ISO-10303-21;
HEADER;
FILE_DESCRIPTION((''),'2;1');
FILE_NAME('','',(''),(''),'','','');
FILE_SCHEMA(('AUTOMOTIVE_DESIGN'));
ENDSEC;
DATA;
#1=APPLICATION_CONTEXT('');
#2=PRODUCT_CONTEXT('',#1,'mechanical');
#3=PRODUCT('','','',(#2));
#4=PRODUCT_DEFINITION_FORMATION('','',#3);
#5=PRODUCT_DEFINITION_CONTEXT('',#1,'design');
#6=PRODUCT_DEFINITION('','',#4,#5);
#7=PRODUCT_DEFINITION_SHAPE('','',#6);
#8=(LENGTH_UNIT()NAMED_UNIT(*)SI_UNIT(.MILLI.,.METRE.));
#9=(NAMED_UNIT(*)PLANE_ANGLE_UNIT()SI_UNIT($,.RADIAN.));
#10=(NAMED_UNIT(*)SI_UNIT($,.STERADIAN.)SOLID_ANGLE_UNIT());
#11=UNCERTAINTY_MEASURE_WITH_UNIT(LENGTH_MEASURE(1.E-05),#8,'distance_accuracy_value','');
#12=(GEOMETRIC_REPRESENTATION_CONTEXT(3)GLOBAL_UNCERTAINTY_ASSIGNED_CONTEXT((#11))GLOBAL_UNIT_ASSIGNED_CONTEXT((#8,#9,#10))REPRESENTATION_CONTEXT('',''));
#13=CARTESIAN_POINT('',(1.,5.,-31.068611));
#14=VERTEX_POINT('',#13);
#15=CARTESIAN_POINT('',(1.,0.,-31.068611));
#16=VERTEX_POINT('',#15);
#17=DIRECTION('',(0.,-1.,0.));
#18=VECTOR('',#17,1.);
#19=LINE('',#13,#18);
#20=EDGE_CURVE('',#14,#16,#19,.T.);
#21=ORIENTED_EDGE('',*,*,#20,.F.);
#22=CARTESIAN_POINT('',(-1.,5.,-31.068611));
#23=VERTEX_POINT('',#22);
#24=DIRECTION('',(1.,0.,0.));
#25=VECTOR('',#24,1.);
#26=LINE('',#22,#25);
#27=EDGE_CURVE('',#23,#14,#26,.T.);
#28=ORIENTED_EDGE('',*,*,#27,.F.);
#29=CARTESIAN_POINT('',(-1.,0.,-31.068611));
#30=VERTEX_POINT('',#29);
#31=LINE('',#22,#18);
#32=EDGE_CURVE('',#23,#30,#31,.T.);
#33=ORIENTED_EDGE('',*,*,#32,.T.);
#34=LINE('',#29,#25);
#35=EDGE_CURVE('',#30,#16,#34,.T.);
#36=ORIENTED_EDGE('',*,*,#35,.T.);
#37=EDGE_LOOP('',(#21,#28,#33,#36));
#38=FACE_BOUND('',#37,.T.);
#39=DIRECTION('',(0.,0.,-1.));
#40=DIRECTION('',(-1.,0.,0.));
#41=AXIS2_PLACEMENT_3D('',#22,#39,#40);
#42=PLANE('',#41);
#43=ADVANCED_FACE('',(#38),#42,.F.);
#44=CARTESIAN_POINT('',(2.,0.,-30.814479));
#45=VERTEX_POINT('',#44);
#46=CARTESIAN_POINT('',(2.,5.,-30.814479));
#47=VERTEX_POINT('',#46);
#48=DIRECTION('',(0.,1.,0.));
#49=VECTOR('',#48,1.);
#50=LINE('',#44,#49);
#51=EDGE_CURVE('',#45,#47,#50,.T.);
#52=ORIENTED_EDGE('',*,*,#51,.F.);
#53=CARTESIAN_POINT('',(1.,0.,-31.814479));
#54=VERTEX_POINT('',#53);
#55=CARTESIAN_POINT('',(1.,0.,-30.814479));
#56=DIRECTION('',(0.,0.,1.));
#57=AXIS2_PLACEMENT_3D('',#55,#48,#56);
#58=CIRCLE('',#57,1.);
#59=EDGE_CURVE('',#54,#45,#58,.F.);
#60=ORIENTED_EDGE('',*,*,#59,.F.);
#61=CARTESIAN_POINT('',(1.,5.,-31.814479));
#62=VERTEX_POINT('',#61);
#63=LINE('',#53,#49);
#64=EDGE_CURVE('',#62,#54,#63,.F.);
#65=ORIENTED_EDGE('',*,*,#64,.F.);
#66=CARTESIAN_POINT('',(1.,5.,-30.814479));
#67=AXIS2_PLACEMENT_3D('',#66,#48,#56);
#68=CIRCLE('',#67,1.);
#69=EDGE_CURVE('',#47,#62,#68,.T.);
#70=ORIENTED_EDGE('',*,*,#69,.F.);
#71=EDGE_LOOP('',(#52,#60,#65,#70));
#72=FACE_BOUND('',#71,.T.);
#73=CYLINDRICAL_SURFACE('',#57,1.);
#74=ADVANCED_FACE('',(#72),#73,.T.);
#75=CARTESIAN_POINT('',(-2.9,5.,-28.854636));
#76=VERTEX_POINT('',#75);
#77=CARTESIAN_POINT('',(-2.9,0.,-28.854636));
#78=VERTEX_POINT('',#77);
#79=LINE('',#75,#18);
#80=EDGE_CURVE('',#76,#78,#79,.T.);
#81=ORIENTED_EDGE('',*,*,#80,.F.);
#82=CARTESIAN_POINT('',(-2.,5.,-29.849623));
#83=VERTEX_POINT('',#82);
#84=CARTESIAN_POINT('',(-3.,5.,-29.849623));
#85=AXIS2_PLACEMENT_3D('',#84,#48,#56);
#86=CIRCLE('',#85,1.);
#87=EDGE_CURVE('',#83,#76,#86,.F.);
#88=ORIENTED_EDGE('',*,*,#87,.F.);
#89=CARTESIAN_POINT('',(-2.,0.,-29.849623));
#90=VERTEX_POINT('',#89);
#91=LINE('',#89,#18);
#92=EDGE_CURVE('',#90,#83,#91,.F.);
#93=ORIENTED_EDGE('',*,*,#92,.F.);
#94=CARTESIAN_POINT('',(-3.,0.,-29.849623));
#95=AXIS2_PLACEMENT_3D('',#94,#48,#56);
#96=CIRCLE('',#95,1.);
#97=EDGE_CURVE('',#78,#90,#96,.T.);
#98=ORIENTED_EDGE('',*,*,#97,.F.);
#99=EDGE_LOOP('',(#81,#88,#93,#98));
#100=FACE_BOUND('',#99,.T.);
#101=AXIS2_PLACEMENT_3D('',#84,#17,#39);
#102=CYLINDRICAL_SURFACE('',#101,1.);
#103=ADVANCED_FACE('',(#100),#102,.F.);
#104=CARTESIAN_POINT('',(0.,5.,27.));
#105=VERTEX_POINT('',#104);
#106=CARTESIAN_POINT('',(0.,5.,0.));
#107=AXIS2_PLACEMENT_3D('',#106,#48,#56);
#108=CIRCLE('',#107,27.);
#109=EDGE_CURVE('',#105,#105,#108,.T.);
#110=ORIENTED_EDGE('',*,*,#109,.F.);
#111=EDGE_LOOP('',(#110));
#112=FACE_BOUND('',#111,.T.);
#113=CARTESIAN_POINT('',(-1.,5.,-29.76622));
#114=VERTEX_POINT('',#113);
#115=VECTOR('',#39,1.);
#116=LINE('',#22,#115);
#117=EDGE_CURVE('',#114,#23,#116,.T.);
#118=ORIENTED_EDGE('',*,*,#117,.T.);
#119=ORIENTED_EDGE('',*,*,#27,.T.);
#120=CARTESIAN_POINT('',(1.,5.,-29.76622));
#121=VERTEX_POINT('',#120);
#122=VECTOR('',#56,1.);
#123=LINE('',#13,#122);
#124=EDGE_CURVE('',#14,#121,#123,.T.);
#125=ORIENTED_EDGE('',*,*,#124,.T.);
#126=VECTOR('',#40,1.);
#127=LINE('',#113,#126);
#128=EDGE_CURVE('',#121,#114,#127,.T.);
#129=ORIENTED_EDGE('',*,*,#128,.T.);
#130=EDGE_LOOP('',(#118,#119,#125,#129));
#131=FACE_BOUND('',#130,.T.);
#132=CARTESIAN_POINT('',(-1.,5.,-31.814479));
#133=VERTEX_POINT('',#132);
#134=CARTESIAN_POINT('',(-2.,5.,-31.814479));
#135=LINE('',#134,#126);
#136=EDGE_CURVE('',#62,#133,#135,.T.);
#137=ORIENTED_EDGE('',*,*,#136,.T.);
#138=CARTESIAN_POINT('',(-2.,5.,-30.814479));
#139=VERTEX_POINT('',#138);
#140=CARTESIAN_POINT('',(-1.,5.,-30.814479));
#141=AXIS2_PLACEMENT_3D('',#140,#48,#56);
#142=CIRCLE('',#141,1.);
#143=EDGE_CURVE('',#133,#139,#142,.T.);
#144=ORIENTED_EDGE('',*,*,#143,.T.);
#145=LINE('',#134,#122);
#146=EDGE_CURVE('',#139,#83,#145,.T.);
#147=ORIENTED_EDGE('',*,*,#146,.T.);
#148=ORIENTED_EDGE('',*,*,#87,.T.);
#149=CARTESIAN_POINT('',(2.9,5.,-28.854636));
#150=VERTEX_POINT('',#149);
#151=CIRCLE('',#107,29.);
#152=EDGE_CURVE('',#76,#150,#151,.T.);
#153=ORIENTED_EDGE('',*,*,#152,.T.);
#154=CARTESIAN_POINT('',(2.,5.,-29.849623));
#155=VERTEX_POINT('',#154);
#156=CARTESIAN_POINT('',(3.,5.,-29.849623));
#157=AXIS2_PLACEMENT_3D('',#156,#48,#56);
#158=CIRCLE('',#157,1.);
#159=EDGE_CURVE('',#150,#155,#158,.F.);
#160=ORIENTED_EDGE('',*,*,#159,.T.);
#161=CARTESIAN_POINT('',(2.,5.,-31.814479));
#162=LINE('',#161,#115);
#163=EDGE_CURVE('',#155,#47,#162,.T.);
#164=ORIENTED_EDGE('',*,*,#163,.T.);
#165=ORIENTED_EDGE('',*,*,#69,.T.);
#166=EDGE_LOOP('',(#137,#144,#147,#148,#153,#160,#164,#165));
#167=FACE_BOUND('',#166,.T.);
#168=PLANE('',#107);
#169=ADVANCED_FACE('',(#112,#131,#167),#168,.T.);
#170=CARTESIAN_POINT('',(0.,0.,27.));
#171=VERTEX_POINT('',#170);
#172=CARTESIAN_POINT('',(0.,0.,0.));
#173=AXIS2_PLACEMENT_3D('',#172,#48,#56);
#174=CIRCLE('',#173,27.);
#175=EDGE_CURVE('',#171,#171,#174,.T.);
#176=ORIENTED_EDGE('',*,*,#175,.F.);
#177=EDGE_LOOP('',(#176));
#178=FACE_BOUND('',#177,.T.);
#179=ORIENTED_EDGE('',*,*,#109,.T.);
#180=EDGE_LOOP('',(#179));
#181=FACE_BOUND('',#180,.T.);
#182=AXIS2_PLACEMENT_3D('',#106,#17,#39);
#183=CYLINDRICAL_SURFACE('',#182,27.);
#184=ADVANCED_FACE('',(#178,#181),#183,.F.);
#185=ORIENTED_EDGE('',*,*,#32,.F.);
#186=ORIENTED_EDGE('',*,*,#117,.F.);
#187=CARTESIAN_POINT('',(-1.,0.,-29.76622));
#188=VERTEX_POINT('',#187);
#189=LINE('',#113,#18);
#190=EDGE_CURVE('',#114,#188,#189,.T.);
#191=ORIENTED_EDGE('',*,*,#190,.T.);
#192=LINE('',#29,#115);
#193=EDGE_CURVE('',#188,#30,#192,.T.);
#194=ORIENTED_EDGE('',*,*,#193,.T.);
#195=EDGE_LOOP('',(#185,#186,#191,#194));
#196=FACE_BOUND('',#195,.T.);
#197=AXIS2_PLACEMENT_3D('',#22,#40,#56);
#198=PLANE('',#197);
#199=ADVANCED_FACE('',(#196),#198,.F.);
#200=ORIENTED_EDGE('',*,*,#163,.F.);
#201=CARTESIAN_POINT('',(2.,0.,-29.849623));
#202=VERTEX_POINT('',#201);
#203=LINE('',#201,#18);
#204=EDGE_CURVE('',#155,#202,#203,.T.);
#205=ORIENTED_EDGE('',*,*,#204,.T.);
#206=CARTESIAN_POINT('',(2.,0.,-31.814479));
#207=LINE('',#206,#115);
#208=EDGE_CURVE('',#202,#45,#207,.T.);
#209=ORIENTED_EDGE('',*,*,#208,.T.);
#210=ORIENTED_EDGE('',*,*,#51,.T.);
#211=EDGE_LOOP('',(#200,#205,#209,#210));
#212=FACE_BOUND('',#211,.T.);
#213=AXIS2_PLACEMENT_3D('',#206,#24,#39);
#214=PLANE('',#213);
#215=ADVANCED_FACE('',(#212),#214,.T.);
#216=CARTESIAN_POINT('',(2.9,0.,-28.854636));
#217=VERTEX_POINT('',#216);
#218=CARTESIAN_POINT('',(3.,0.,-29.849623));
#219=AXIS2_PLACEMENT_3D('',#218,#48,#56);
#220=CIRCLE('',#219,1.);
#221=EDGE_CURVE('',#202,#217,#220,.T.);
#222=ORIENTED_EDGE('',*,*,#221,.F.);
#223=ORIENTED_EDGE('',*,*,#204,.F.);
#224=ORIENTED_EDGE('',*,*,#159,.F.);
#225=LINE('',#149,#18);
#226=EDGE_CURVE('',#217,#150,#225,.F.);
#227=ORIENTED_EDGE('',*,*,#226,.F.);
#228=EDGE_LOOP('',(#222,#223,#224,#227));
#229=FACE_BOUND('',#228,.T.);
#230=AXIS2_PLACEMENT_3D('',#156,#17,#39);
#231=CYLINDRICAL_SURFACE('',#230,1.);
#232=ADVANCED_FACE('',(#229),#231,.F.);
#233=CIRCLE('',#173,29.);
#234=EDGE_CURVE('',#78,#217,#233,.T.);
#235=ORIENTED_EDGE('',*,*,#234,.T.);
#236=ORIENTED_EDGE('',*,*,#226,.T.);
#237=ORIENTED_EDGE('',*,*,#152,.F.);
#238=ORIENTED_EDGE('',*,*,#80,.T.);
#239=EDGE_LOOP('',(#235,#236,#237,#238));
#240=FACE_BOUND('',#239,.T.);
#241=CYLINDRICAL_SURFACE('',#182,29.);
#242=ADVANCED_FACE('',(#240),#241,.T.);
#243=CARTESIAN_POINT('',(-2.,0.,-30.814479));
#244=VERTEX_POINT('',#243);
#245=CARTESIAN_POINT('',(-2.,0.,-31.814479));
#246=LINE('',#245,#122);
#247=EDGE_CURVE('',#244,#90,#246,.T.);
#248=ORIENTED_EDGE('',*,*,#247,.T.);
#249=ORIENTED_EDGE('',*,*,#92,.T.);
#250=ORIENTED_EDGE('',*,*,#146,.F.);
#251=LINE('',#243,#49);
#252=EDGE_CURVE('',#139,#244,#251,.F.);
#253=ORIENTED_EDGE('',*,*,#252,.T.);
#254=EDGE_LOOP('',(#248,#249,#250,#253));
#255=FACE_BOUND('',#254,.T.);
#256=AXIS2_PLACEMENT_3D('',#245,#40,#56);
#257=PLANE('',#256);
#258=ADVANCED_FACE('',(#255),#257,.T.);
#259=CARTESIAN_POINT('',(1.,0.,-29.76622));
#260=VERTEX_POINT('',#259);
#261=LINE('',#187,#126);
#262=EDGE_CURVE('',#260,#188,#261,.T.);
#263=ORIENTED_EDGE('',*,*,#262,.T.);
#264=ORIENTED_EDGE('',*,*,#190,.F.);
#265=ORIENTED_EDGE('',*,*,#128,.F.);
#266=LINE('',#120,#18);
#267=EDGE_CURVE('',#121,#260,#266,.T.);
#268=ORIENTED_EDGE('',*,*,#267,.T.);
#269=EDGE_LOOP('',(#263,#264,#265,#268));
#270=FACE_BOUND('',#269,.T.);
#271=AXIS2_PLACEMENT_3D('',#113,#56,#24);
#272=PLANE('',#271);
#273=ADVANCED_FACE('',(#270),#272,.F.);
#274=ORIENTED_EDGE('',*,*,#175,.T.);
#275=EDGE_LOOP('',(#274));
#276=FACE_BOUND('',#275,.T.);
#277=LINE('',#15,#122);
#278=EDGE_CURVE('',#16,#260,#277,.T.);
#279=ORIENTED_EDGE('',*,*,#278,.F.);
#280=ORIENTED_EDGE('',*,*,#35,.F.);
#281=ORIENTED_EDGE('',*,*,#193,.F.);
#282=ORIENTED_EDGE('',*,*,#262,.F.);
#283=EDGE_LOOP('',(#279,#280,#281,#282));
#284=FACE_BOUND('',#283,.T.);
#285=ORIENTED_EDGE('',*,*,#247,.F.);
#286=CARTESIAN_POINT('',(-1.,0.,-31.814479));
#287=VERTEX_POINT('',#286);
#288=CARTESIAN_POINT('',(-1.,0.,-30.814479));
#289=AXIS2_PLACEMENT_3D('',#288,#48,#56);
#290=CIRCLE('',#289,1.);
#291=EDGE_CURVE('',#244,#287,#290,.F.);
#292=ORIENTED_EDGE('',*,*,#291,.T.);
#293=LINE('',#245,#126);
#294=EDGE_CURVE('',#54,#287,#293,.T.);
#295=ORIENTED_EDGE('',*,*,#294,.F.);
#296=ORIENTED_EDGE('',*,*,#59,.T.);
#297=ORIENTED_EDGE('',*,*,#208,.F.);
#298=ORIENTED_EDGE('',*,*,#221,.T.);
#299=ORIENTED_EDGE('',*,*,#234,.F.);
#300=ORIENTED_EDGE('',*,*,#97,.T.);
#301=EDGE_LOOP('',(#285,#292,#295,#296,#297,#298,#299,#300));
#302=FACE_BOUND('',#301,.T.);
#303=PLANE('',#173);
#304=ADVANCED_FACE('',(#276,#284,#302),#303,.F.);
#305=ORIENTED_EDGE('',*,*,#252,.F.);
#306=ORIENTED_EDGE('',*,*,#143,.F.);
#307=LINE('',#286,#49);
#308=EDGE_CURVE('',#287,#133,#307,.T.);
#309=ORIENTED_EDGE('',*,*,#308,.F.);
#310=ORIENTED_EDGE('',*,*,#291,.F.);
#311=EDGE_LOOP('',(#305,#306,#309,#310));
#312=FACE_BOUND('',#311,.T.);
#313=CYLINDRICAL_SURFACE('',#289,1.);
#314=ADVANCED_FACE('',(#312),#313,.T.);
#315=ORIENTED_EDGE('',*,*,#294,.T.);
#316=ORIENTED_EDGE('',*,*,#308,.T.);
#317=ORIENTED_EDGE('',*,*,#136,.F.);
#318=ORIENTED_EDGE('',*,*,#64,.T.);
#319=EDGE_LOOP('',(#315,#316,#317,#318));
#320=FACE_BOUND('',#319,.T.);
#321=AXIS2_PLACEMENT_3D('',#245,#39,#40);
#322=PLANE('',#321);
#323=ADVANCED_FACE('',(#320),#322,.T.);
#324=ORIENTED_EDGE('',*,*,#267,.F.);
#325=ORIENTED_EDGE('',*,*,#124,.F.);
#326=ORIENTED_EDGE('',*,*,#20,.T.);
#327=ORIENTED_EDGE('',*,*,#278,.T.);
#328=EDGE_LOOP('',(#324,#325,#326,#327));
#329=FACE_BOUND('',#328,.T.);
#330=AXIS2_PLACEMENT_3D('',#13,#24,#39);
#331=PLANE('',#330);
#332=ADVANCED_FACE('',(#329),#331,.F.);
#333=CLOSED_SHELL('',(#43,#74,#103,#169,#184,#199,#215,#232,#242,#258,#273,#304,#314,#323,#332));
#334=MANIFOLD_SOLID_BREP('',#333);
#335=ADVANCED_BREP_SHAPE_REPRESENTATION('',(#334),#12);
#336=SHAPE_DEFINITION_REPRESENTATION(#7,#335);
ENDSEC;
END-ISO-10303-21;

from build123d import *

# Parameters (mm, degrees)
ESBO_O1_R                = 29
ESBO_O1_R_2              = 27
RESSALTO_EXTRUS_O1_DEPTH = 5
ESBO_O2_W                = 4
ESBO_O2_H                = 4
RESSALTO_EXTRUS_O2_DEPTH = 5
FILETE1_R                = 1
ESBO_O3_W                = 2
ESBO_O3_H                = 1.302391812
CORTE_EXTRUS_O1_DEPTH    = 44.337755413


with BuildPart() as part:
    # Esboço1 → Ressalto-extrusão1 (new body)
    with BuildSketch(Plane(origin=(0, 0, 0), x_dir=(1, 0, 0), z_dir=(0, 1, 0))):
        with Locations(Location((0, 0, 0), (0, 0, 270))):
            Circle(ESBO_O1_R)
        with Locations(Location((0, 0, 0), (0, 0, 270))):
            Circle(ESBO_O1_R_2, mode=Mode.SUBTRACT)
    extrude(amount=RESSALTO_EXTRUS_O1_DEPTH)

    # Esboço2 → Ressalto-extrusão2 (add, through all)
    with BuildSketch(Plane(origin=(0, 5, 0), x_dir=(1, 0, 0), z_dir=(0, 1, 0))):
        with Locations((0, 29.814478531)):
            Rectangle(ESBO_O2_W, ESBO_O2_H)
    extrude(amount=-RESSALTO_EXTRUS_O2_DEPTH)

    # Filete1
    filete1_edges = [part.edges().sort_by_distance(p)[0] for p in [
        (-2, 2.5, -28.930952283),
        (2, 2.5, -28.930952283),
        (2, 2.5, -31.814478531),
        (-2, 2.5, -31.814478531),
    ]]
    fillet(filete1_edges, radius=FILETE1_R)

    # Esboço3 → Corte-extrusão1 (cut, through all)
    with BuildSketch(Plane.XZ):
        with Locations((0, -30.417415502)):
            Rectangle(ESBO_O3_W, ESBO_O3_H)
    extrude(amount=-CORTE_EXTRUS_O1_DEPTH, mode=Mode.SUBTRACT)


solid = part.part
